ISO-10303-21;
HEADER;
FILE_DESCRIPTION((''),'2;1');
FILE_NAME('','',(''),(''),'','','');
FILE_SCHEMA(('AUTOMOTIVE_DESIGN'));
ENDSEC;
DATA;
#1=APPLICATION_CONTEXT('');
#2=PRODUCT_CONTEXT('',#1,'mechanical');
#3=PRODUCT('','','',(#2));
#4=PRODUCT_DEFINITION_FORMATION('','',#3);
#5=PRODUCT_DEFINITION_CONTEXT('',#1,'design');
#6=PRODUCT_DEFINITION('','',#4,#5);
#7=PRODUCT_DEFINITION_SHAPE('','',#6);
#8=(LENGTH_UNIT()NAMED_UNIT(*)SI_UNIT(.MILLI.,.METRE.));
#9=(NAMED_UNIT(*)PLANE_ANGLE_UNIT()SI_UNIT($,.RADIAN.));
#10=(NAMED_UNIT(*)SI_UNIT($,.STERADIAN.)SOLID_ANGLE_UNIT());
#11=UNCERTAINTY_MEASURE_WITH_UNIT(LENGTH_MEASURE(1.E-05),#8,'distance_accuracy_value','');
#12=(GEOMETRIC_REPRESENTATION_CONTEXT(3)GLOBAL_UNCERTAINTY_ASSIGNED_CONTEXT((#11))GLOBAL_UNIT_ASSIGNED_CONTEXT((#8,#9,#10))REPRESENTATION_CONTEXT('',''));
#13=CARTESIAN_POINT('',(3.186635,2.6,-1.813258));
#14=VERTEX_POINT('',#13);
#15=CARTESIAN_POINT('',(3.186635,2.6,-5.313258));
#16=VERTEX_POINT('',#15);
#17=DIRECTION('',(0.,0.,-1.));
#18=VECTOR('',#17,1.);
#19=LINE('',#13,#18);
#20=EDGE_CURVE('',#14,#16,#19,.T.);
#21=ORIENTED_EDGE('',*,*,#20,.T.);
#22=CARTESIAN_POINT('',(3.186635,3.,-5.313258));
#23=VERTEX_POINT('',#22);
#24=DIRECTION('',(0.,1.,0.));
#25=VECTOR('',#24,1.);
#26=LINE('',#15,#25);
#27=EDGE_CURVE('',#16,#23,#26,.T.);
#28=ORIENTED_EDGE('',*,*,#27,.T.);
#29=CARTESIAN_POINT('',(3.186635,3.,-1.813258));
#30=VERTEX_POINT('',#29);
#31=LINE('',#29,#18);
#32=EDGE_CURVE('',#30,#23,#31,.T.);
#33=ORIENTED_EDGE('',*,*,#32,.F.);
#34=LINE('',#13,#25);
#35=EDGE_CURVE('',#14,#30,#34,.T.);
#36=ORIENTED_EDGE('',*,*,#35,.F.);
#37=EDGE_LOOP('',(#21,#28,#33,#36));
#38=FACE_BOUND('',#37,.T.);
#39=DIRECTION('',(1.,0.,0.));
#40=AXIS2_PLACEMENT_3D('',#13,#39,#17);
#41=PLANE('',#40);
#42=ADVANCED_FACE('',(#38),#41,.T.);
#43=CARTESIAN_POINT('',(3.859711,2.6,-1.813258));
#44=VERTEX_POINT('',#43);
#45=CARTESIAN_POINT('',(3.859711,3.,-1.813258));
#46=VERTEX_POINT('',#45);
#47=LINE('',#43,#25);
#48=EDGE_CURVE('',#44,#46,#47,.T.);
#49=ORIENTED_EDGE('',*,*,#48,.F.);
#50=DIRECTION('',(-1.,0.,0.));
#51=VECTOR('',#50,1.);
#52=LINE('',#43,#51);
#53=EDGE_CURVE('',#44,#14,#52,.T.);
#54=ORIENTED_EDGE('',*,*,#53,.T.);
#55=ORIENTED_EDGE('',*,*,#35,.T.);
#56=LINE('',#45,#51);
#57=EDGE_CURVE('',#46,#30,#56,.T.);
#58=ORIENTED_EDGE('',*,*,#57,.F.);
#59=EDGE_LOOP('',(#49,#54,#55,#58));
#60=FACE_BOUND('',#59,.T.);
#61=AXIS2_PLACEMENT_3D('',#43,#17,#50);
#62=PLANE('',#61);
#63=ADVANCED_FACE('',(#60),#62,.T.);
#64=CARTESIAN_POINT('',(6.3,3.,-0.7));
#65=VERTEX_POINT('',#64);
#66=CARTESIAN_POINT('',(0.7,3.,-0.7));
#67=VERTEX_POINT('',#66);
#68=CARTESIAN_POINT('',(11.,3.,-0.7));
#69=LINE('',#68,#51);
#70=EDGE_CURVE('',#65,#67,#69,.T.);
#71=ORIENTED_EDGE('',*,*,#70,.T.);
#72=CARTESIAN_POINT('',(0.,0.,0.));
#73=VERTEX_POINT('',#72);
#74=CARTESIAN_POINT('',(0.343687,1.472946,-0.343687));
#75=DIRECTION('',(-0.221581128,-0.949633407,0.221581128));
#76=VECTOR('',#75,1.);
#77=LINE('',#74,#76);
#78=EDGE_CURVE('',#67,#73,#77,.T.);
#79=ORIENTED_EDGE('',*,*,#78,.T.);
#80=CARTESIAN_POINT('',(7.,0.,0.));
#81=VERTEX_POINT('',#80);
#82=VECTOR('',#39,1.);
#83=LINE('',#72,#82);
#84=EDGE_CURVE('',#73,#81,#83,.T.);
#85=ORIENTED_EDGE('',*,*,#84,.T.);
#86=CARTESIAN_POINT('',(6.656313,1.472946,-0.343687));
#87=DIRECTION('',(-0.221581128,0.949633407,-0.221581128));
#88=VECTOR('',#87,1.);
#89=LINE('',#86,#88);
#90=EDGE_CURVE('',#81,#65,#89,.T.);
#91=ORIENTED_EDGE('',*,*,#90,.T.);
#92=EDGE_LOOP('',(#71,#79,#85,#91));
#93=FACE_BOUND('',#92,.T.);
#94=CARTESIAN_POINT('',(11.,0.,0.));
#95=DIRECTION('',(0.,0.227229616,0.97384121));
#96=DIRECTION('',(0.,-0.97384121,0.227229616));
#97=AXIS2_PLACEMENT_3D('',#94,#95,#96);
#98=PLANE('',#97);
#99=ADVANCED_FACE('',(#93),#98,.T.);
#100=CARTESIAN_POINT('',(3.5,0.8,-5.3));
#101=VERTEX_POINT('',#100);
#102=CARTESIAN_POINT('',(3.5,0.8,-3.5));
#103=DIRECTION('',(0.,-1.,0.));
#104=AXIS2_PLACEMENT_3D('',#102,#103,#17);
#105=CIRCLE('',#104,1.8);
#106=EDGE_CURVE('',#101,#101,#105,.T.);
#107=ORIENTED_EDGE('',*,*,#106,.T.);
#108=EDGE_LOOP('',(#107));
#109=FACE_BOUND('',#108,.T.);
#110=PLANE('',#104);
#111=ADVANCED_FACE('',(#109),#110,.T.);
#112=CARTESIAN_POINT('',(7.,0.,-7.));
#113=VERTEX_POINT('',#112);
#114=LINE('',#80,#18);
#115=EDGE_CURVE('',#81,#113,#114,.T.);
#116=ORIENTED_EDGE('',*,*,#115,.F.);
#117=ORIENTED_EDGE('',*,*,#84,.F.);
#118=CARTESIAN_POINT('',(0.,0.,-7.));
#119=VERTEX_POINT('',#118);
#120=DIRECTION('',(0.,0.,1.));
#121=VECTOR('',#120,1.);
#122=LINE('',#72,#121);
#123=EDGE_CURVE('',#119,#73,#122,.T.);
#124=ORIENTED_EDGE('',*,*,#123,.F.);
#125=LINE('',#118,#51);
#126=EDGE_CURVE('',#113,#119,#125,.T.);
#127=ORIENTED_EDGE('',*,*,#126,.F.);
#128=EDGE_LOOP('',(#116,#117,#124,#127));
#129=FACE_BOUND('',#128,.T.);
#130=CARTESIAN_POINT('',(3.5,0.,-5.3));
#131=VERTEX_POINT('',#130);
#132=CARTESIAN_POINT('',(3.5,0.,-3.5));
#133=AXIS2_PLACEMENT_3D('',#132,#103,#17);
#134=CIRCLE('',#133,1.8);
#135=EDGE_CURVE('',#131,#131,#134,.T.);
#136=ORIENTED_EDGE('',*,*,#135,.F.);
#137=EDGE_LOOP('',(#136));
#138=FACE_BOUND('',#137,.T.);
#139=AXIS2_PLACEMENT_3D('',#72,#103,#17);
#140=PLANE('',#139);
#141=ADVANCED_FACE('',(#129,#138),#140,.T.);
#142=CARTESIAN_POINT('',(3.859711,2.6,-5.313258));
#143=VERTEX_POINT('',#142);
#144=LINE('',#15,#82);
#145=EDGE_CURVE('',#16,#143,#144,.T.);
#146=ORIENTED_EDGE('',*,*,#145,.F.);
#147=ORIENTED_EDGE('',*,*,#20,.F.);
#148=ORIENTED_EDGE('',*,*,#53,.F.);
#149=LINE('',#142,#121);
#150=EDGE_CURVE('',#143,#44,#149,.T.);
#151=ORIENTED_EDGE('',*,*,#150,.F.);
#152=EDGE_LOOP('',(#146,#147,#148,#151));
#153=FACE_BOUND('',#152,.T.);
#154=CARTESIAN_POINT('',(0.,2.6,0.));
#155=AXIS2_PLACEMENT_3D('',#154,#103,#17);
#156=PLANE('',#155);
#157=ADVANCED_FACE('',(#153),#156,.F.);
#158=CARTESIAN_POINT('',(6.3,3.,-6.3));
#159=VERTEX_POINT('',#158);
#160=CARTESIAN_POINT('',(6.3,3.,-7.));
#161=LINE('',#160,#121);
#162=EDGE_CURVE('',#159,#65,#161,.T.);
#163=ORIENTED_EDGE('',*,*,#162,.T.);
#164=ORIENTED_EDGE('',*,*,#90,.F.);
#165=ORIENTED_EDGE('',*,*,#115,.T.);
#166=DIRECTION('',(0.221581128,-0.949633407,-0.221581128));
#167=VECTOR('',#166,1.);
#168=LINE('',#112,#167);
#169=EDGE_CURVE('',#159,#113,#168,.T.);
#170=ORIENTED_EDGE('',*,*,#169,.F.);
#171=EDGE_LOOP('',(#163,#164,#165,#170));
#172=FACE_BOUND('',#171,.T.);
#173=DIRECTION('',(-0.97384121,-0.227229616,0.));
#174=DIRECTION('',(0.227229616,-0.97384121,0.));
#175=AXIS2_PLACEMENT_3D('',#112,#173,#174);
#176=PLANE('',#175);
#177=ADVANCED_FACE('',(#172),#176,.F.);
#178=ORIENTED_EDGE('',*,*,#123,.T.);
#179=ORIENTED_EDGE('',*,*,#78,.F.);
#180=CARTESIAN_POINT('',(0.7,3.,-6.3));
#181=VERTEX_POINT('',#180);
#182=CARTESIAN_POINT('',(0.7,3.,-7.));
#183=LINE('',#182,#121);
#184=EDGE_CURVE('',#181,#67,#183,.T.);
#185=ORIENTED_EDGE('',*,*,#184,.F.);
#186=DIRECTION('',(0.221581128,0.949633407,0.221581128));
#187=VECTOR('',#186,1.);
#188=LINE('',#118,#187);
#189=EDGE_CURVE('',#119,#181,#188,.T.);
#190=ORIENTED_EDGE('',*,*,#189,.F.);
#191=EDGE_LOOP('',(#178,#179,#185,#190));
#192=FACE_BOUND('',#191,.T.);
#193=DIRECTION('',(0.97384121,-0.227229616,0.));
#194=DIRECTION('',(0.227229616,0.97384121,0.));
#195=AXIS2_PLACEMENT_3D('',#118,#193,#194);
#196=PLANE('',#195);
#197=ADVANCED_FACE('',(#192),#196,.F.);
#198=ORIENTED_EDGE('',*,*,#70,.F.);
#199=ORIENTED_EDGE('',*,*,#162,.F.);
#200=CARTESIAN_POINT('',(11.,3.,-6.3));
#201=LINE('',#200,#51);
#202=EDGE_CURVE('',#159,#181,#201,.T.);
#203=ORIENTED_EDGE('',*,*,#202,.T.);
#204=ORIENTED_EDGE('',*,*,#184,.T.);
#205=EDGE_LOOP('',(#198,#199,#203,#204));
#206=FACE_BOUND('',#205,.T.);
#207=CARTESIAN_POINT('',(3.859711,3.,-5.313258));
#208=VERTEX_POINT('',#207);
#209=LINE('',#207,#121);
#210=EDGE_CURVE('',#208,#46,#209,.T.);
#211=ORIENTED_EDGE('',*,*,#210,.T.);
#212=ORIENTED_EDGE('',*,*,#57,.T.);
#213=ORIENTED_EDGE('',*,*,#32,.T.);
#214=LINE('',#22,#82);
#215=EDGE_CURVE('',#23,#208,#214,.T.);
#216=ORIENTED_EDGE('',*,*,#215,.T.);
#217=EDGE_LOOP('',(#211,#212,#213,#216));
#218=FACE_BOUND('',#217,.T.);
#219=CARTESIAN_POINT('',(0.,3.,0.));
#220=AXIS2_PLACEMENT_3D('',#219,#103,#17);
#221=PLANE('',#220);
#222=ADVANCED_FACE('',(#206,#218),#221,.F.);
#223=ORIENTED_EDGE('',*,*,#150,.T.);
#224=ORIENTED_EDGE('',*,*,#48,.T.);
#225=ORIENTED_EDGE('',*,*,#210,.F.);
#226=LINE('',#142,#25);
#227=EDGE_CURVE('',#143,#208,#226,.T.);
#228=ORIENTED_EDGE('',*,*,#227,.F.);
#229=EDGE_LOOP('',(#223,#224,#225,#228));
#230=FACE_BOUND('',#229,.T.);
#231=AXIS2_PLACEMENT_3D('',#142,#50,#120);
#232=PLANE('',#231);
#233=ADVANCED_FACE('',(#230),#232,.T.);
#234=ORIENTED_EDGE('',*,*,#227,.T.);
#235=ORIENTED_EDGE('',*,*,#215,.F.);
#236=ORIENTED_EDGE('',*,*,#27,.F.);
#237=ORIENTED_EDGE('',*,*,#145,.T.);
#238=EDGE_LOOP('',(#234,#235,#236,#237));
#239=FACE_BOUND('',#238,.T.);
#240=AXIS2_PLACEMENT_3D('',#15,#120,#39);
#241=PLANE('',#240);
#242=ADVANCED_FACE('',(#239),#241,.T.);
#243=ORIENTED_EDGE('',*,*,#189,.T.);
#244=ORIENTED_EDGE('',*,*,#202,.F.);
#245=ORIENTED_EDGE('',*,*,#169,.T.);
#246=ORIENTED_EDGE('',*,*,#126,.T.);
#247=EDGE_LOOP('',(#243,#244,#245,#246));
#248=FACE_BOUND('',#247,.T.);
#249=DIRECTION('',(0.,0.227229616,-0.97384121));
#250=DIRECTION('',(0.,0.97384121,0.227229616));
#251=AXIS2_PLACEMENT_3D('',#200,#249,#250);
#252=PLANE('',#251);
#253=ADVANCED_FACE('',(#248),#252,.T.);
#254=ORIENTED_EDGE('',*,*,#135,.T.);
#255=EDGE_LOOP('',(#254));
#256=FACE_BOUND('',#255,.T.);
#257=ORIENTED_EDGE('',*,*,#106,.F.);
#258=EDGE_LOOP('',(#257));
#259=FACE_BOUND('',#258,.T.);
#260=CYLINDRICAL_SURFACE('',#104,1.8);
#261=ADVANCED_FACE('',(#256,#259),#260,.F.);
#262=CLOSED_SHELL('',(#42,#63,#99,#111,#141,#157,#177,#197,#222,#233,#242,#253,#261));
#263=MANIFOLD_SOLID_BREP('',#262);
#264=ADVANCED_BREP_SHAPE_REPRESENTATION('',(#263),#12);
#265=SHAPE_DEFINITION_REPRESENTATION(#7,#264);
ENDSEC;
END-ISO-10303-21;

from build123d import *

# Parameters (mm, degrees)
SKETCH1_W           = 7
SKETCH1_H           = 7
BOSS_EXTRUDE1_DEPTH = 3
CUT_EXTRUDE1_DEPTH  = 7
CUT_EXTRUDE2_DEPTH  = 11
SKETCH4_R           = 1.8
CUT_EXTRUDE3_DEPTH  = 0.8
SKETCH5_W           = 0.673076923
SKETCH5_H           = 3.5
CUT_EXTRUDE4_DEPTH  = 0.4


with BuildPart() as part:
    # Sketch1 → Boss-Extrude1 (new body)
    with BuildSketch(Plane(origin=(0, 0, 0), x_dir=(1, 0, 0), z_dir=(0, 1, 0))):
        with Locations((3.5, 3.5)):
            Rectangle(SKETCH1_W, SKETCH1_H)
    extrude(amount=BOSS_EXTRUDE1_DEPTH)

    # Sketch2 → Cut-Extrude1 (cut)
    with BuildSketch(Plane.XY):
        Polygon((0, 0), (0.7, 3), (0, 3), align=None)
        Polygon((7, 0), (6.3, 3), (7, 3), align=None)
    extrude(amount=-CUT_EXTRUDE1_DEPTH, mode=Mode.SUBTRACT)

    # Sketch3 → Cut-Extrude2 (cut)
    with BuildSketch(Plane(origin=(0, 0, 0), x_dir=(0, 0, -1), z_dir=(1, 0, 0))):
        Polygon((0, 0), (0.7, 3), (0, 3), align=None)
        Polygon((7, 3), (6.3, 3), (7, 0), align=None)
    extrude(amount=CUT_EXTRUDE2_DEPTH, mode=Mode.SUBTRACT)

    # Sketch4 → Cut-Extrude3 (cut)
    with BuildSketch(Plane.XZ):
        with Locations(Location((3.5, -3.5, 0), (0, 0, 270))):
            Circle(SKETCH4_R)
    extrude(amount=-CUT_EXTRUDE3_DEPTH, mode=Mode.SUBTRACT)

    # Sketch5 → Cut-Extrude4 (cut)
    with BuildSketch(Plane(origin=(0, 3, 0), x_dir=(1, 0, 0), z_dir=(0, 1, 0))):
        with Locations((3.523173037, 3.563258093)):
            Rectangle(SKETCH5_W, SKETCH5_H)
    extrude(amount=-CUT_EXTRUDE4_DEPTH, mode=Mode.SUBTRACT)


solid = part.part
